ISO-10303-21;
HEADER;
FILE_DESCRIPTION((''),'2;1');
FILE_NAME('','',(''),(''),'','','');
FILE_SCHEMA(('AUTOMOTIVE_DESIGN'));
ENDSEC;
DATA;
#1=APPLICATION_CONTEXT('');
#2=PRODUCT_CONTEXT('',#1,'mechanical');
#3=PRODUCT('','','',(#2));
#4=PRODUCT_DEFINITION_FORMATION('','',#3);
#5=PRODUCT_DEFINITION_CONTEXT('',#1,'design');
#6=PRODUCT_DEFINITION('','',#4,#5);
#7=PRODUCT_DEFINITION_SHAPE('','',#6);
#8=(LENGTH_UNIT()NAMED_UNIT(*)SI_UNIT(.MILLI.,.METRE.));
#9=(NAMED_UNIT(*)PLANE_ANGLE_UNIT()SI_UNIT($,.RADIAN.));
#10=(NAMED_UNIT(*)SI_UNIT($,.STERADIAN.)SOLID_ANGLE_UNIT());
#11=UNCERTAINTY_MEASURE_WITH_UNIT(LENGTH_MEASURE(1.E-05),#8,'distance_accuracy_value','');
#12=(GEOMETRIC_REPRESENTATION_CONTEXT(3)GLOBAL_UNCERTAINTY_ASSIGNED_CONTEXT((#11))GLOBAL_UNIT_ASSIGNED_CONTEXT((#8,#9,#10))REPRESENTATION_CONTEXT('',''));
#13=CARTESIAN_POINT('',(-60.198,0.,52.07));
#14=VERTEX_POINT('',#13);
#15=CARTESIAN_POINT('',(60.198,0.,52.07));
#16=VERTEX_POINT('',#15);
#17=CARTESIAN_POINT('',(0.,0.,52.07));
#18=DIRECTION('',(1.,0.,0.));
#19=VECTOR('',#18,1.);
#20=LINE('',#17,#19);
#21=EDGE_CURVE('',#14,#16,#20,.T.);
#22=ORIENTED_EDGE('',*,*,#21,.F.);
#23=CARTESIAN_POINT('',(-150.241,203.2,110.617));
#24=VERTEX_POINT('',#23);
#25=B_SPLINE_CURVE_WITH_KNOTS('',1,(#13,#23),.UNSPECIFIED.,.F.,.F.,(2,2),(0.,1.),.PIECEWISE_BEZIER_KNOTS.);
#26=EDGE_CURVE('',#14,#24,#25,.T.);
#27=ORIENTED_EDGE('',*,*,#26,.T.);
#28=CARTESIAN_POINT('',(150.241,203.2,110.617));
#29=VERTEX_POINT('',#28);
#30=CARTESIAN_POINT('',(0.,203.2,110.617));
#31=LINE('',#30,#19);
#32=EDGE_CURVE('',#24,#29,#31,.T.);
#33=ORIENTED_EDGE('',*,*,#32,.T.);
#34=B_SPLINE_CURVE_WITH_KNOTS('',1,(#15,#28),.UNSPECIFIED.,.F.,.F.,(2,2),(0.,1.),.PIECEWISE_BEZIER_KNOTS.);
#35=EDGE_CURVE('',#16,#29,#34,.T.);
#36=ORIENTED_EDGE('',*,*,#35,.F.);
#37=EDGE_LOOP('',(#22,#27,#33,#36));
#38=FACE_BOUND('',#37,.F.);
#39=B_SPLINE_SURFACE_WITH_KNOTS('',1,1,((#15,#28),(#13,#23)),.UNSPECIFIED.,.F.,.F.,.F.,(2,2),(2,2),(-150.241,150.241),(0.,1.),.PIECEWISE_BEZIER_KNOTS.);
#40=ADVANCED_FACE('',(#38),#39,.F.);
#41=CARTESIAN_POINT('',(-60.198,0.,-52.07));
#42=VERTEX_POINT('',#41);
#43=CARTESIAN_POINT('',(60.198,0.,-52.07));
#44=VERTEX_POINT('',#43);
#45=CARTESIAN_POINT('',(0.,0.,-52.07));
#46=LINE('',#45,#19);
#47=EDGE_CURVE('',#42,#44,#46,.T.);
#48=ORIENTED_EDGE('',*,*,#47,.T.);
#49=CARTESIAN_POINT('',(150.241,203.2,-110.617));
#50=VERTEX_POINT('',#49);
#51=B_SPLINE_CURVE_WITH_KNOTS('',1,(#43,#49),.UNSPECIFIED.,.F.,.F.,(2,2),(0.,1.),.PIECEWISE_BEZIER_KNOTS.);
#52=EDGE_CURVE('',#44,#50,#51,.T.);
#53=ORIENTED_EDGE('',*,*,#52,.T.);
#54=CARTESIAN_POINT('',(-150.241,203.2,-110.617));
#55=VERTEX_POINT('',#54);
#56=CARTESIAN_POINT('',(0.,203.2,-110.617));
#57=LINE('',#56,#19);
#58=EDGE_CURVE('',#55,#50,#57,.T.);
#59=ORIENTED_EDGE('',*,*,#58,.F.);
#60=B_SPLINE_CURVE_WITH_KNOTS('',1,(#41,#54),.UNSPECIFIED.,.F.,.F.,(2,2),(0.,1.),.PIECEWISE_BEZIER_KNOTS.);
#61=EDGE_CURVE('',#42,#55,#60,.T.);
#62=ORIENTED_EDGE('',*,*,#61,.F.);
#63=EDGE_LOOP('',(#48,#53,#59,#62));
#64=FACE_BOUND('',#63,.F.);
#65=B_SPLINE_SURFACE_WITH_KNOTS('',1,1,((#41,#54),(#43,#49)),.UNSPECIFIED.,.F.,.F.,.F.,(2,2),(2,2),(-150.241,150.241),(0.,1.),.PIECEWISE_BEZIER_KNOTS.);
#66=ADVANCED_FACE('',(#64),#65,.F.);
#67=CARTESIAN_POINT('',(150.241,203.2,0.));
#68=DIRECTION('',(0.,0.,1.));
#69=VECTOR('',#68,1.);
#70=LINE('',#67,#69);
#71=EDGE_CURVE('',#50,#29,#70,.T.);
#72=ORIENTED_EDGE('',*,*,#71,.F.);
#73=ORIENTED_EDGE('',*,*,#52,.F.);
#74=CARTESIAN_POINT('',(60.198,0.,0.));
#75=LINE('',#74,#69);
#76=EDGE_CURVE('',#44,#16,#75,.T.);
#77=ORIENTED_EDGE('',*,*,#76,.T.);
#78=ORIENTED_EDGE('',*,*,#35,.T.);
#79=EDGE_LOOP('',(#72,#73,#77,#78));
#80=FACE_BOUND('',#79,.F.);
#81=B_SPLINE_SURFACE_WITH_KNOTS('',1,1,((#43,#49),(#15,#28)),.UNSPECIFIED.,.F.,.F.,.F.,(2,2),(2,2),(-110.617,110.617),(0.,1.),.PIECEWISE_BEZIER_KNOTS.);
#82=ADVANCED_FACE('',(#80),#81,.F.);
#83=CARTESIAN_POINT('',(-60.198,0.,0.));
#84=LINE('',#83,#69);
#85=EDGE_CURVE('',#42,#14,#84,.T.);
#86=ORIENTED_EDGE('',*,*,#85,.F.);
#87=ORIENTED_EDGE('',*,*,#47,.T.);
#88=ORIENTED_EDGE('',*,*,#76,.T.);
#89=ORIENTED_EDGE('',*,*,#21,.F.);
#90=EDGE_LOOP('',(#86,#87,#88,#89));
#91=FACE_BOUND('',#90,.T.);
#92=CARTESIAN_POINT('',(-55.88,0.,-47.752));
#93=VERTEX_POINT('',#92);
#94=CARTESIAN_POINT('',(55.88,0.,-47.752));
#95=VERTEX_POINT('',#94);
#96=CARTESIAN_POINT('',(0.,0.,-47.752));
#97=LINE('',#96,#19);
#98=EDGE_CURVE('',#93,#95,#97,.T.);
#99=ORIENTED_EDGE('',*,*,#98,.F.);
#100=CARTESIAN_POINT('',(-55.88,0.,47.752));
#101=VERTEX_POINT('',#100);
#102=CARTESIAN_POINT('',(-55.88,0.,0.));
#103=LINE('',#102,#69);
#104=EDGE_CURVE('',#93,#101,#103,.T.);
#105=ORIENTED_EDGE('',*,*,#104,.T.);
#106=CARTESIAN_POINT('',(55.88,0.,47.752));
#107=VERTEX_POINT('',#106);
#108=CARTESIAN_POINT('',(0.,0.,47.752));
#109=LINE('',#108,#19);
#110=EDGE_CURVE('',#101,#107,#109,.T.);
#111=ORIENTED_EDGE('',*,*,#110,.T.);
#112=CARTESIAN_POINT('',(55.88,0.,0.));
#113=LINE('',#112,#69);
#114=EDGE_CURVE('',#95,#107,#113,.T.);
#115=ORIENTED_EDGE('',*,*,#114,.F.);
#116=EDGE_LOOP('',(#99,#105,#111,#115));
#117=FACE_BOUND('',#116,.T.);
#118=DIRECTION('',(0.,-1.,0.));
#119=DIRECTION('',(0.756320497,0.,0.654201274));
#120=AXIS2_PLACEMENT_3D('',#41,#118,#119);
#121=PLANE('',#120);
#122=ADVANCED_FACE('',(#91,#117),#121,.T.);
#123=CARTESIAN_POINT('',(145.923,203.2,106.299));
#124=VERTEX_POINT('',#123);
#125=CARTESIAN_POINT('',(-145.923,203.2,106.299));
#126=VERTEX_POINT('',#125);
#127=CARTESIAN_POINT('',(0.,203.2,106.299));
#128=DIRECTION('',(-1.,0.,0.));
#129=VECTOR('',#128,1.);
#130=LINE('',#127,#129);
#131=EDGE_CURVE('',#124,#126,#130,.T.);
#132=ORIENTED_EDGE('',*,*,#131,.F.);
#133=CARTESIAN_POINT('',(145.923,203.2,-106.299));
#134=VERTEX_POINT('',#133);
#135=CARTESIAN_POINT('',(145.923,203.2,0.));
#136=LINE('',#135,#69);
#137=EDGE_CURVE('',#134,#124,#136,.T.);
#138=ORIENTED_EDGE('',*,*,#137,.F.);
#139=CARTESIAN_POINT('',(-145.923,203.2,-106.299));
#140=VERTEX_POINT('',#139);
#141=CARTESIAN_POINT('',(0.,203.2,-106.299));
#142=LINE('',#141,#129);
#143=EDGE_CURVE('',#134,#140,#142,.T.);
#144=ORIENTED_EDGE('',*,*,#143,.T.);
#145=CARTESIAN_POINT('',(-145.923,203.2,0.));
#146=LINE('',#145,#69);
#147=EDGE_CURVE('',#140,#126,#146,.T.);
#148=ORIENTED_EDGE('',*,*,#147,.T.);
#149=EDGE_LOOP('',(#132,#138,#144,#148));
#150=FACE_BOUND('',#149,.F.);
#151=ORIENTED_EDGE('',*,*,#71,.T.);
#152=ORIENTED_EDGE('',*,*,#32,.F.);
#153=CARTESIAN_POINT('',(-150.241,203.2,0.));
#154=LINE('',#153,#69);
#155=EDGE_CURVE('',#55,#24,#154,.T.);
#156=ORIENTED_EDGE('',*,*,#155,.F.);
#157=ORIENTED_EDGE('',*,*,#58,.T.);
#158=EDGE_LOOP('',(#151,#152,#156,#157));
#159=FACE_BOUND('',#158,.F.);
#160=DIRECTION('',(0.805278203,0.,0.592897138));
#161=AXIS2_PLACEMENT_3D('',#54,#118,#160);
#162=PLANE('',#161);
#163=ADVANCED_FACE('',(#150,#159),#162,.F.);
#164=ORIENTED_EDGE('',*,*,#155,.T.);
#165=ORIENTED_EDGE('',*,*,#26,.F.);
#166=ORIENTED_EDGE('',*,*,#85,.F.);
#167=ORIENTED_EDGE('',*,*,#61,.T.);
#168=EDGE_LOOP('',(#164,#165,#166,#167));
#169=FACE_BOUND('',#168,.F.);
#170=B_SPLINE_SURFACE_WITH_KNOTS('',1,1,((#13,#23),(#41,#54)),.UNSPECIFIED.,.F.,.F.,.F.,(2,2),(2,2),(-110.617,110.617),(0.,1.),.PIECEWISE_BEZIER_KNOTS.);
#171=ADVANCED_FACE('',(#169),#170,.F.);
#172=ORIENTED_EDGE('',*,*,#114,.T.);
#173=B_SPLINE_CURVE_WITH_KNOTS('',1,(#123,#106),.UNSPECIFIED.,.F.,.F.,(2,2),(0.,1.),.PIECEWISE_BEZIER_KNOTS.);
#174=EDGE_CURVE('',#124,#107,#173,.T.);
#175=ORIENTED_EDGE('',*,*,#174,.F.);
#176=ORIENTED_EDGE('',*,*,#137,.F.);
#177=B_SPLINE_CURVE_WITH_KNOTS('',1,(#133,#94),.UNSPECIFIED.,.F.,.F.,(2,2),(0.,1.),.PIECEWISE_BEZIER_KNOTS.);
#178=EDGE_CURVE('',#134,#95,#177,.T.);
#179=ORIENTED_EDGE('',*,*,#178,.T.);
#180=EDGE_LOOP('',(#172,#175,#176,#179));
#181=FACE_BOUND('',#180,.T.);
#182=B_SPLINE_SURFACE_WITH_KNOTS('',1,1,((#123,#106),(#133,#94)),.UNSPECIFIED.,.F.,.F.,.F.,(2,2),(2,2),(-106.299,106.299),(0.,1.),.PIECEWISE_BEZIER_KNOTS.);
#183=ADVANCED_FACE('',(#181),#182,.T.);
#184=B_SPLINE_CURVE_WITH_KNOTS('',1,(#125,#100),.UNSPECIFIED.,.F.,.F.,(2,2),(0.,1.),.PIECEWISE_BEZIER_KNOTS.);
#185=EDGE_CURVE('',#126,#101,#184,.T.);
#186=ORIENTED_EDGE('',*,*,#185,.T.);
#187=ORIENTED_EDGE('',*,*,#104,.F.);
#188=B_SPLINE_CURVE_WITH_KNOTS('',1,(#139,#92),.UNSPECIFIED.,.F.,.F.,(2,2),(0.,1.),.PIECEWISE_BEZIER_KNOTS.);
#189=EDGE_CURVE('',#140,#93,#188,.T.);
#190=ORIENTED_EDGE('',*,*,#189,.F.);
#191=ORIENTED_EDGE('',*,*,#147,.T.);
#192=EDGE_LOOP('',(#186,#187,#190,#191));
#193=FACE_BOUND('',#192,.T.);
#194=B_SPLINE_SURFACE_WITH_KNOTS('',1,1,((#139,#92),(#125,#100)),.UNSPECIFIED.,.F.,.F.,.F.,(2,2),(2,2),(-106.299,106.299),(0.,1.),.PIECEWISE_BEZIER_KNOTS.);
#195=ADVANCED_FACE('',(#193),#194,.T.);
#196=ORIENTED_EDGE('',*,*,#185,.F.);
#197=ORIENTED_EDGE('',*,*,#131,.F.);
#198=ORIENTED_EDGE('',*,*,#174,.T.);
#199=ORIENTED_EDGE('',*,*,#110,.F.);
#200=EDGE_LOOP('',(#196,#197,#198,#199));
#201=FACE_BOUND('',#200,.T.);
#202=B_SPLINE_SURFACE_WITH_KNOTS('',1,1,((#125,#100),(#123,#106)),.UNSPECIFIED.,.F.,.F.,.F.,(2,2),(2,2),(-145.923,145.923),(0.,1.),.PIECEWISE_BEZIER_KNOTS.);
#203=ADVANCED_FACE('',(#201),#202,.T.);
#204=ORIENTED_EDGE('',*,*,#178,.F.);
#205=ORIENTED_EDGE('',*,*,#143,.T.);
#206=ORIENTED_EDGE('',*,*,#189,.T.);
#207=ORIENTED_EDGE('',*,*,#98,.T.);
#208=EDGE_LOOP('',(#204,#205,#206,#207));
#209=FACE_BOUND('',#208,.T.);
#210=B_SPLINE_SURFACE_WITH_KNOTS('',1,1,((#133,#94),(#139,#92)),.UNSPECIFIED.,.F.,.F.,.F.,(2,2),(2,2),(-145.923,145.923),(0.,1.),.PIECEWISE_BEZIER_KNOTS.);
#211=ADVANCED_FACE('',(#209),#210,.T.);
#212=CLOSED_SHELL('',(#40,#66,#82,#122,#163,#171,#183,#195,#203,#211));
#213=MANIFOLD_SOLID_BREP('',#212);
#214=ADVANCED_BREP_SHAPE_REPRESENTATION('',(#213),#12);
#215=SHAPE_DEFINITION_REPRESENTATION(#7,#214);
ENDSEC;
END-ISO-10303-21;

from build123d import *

# Parameters (mm, degrees)
F0_W = 120.396
F0_H = 104.14
F2_W = 300.482
F2_H = 221.234
F5_W = 291.846
F5_H = 212.598
F4_W = 111.76
F4_H = 95.504


with BuildPart() as f3:
    # F0 (on Front) → F3 section 0
    with BuildSketch(Plane.XZ):
        Rectangle(F0_W, F0_H)
    # F2 (on offset) → F3 section 1
    with BuildSketch(Plane.XZ.offset(-203.2)):
        Rectangle(F2_W, F2_H)
    loft()

    # F5 (on face) → F6 section 0
    with BuildSketch(Plane(origin=(0, 203.2, 0), x_dir=(-1, 0, 0), z_dir=(0, 1, 0))):
        Rectangle(F5_W, F5_H)
    # F4 (on face) → F6 section 1
    with BuildSketch(Plane.XZ):
        Rectangle(F4_W, F4_H)
    loft(mode=Mode.SUBTRACT)


solid = f3.part
